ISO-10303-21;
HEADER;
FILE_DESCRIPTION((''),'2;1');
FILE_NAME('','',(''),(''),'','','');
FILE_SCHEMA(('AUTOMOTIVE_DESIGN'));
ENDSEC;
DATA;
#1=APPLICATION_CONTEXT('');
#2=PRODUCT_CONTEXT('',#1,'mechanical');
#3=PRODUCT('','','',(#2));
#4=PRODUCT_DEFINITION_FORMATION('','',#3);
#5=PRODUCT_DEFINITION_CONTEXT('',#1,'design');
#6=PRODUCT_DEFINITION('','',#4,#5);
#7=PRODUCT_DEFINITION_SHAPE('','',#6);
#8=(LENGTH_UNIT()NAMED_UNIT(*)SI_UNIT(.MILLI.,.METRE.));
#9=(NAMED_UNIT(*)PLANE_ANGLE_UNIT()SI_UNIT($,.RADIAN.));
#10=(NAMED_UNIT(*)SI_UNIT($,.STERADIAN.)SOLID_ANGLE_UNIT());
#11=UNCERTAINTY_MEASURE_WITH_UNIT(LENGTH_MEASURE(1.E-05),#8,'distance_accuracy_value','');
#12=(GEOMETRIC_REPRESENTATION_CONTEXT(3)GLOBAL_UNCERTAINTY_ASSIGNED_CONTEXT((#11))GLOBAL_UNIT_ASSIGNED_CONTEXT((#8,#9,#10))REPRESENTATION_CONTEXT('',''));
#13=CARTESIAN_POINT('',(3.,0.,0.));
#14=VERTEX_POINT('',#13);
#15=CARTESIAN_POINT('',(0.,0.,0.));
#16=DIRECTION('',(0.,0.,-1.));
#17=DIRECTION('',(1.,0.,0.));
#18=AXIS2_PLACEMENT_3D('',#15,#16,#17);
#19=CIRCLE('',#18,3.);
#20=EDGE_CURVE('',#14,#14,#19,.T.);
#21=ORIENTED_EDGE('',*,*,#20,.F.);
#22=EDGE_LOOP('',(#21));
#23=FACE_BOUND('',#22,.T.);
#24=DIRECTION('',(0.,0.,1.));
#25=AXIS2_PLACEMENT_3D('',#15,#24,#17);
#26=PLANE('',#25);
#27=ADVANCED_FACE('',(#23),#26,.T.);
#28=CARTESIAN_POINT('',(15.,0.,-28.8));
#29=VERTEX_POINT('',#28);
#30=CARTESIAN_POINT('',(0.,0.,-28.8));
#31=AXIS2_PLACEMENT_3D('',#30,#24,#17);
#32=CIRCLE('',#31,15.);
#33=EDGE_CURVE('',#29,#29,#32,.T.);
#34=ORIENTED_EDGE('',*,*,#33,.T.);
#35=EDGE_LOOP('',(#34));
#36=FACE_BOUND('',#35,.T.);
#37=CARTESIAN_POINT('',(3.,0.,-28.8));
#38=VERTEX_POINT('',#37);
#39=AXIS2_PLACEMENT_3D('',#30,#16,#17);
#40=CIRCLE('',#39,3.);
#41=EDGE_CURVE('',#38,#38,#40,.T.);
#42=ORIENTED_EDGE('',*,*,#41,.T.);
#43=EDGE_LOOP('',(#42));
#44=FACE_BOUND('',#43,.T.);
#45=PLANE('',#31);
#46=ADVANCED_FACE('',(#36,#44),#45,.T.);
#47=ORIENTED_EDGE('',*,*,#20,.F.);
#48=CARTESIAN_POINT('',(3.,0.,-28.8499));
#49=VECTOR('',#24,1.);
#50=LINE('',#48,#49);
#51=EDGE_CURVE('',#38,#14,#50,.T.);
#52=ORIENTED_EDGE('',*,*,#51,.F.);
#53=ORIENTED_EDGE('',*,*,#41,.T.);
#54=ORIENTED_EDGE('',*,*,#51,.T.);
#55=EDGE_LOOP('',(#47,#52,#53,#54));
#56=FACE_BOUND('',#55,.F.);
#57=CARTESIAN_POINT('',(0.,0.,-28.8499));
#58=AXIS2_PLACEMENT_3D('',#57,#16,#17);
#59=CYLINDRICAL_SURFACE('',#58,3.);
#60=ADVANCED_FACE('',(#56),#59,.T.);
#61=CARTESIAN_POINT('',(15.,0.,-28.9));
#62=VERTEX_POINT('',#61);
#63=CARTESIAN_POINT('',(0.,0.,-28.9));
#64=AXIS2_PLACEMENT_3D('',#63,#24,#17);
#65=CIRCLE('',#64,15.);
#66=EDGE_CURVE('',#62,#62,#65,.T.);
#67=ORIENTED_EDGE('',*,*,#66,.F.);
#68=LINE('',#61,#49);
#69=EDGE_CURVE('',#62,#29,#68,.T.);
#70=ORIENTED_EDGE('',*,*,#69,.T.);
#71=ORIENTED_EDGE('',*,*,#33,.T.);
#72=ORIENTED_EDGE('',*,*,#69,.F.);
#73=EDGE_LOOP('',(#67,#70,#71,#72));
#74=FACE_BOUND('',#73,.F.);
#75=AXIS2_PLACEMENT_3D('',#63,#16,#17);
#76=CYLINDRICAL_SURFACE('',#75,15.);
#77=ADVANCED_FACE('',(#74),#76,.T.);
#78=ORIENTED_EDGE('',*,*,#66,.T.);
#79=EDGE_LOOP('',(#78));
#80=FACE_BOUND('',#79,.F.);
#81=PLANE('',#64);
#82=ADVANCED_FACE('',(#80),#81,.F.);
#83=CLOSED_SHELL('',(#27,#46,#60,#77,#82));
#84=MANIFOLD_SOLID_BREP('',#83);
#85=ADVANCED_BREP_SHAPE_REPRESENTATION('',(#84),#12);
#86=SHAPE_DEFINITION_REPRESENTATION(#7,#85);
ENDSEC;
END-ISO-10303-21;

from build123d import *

# Parameters (mm, degrees)
CYLINDER_R        = 15
CYLINDER_DEPTH    = 10
CYLINDER001_R     = 3
CYLINDER001_DEPTH = 37.95
CYLINDER002_R     = 15
CYLINDER002_DEPTH = 0.1


with BuildPart() as cylinder:
    # Cylinder → Cylinder (new body)
    with BuildSketch(Plane.XY):
        Circle(CYLINDER_R)
    extrude(amount=CYLINDER_DEPTH)


with BuildPart() as cylinder001:
    # Cylinder001 → Cylinder001 (new body)
    with BuildSketch(Plane.XY.offset(-28.8499)):
        Circle(CYLINDER001_R)
    extrude(amount=CYLINDER001_DEPTH)


with BuildPart() as cut_spar:
    # Cylinder002 → Cylinder002 (new body)
    with BuildSketch(Plane.XY.offset(-28.9)):
        Circle(CYLINDER002_R)
    extrude(amount=CYLINDER002_DEPTH)

    # Fusion: union Cylinder001
    add(cylinder001.part)

    # Cut001: cut Cylinder
    add(cylinder.part, mode=Mode.SUBTRACT)


solid = cut_spar.part
